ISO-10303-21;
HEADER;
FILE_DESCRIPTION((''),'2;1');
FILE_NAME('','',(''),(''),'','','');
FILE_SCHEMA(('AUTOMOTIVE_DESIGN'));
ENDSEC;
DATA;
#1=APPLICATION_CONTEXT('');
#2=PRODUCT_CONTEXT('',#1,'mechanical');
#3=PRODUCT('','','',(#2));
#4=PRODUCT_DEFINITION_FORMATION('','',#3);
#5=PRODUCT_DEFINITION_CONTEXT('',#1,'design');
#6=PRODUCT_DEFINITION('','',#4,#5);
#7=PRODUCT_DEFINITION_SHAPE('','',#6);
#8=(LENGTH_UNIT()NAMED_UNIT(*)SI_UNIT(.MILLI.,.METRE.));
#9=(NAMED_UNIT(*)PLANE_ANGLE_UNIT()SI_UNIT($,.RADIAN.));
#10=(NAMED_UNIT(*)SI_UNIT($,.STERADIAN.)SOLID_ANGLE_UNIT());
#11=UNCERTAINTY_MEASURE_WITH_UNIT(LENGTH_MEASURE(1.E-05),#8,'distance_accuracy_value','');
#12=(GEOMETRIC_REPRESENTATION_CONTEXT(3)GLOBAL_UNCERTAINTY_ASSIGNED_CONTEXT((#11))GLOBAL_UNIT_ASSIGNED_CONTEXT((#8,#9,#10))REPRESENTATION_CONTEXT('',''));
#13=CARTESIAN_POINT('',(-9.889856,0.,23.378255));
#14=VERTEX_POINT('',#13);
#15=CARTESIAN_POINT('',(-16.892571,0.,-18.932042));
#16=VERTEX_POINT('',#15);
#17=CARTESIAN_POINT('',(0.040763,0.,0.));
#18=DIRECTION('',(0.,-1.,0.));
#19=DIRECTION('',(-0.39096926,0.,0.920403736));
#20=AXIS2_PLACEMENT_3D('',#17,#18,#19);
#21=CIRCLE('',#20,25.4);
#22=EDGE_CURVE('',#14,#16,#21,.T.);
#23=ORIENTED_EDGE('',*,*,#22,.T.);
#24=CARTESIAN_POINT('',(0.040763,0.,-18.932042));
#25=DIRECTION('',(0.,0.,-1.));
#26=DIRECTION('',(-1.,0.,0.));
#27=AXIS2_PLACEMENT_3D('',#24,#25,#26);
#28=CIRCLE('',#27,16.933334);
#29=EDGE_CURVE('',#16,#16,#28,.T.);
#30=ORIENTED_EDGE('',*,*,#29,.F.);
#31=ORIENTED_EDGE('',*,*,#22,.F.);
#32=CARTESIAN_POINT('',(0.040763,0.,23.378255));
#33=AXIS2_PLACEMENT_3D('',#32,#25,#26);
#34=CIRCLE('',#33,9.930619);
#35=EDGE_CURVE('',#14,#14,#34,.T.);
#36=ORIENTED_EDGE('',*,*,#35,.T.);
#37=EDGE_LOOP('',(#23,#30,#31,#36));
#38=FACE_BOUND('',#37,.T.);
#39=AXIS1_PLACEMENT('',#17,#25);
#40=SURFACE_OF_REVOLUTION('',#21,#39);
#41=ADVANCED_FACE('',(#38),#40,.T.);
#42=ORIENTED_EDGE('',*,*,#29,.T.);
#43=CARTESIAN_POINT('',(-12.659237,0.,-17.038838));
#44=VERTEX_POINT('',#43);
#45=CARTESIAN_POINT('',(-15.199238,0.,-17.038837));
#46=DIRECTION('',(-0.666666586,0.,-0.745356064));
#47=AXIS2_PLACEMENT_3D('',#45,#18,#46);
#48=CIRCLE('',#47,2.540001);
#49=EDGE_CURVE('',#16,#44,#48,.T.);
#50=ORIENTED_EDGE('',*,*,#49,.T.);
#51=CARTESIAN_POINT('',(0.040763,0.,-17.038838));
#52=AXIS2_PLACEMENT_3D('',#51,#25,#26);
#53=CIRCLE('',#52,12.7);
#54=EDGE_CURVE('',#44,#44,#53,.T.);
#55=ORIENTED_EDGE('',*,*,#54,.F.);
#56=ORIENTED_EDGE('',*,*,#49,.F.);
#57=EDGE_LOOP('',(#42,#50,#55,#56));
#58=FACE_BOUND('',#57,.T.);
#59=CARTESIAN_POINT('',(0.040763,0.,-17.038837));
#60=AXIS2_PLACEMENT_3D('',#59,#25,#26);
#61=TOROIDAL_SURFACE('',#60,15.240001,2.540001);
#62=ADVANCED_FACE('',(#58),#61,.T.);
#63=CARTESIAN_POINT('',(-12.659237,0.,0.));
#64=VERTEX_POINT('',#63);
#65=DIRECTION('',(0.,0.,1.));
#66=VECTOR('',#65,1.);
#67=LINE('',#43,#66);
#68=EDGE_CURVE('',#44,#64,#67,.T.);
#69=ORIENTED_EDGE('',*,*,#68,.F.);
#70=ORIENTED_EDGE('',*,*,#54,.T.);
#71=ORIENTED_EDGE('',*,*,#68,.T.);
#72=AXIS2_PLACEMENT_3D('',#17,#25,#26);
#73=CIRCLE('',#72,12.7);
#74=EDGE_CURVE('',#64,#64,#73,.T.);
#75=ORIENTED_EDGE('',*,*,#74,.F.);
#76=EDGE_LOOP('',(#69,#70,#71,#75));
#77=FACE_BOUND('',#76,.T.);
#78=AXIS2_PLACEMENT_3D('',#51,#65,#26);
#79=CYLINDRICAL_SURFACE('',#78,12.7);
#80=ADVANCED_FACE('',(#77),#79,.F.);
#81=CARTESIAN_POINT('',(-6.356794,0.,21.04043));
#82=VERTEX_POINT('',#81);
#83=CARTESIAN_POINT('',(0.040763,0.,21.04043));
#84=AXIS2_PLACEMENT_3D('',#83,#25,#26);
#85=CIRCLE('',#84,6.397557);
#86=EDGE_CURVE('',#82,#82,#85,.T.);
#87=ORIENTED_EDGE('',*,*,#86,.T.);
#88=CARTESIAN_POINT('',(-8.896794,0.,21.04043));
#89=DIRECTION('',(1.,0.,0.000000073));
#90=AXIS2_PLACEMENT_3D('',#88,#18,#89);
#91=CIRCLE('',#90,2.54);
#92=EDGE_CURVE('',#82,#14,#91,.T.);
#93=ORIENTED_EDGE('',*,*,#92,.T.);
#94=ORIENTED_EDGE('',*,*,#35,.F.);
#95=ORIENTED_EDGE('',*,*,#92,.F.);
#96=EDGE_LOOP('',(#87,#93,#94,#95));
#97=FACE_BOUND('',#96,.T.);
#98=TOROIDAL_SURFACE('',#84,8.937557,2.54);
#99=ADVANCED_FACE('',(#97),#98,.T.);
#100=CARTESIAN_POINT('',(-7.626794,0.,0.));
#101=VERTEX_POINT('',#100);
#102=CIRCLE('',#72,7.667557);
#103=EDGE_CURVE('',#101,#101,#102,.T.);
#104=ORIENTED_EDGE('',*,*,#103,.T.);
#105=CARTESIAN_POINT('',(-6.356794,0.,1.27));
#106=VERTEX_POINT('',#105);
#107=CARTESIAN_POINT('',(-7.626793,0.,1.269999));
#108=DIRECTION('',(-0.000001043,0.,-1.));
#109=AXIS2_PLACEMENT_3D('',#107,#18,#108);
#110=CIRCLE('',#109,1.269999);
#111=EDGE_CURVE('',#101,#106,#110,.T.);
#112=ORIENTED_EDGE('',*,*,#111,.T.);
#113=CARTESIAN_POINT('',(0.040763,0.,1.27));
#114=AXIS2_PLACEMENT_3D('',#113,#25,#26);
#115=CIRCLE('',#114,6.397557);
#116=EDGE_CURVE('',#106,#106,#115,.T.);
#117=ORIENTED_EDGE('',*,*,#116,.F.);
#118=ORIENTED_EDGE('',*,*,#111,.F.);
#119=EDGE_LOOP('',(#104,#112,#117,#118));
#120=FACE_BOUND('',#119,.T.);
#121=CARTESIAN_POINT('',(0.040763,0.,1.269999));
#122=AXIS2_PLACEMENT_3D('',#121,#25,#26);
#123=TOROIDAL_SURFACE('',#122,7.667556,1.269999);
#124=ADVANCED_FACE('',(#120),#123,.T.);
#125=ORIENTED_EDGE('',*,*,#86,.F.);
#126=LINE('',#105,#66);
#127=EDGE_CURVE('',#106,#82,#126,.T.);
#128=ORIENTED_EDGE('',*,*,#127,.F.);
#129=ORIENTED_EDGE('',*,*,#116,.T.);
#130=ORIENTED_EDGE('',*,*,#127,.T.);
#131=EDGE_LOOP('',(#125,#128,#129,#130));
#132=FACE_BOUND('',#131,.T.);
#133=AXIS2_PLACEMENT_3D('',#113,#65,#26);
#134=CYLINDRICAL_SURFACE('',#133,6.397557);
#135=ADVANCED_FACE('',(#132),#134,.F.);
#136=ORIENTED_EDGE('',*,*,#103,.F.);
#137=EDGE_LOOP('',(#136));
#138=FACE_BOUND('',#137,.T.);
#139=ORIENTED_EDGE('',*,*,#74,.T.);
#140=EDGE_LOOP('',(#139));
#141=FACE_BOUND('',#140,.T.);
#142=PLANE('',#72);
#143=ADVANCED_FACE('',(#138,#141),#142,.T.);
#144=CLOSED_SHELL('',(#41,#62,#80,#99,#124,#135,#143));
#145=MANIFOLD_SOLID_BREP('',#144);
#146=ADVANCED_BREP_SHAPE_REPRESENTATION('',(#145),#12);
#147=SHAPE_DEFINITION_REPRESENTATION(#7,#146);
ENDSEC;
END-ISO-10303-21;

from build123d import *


with BuildPart() as f2:
    # F0 (on Front) → F2 (revolve)
    with BuildSketch(Plane.XZ):
        with BuildLine():
            ThreePointArc((-6.356794, 21.04043), (-7.495148, 23.158681), (-9.889856, 23.378255))
            ThreePointArc((-9.889856, 23.378255), (-25.018333, 4.147494), (-16.892571, -18.932042))
            ThreePointArc((-16.892571, -18.932042), (-14.162287, -19.35753), (-12.659237, -17.038838))
            Line((-12.659237, -17.038838), (-12.659237, 0))
            Line((-12.659237, 0), (-7.626794, 0))
            ThreePointArc((-7.626794, 0), (-6.728768, 0.371974), (-6.356794, 1.27))
            Line((-6.356794, 1.27), (-6.356794, 21.04043))
        make_face()
    revolve(axis=Axis((0.040763, 0, 0), (0, 0, -1)))


solid = f2.part
